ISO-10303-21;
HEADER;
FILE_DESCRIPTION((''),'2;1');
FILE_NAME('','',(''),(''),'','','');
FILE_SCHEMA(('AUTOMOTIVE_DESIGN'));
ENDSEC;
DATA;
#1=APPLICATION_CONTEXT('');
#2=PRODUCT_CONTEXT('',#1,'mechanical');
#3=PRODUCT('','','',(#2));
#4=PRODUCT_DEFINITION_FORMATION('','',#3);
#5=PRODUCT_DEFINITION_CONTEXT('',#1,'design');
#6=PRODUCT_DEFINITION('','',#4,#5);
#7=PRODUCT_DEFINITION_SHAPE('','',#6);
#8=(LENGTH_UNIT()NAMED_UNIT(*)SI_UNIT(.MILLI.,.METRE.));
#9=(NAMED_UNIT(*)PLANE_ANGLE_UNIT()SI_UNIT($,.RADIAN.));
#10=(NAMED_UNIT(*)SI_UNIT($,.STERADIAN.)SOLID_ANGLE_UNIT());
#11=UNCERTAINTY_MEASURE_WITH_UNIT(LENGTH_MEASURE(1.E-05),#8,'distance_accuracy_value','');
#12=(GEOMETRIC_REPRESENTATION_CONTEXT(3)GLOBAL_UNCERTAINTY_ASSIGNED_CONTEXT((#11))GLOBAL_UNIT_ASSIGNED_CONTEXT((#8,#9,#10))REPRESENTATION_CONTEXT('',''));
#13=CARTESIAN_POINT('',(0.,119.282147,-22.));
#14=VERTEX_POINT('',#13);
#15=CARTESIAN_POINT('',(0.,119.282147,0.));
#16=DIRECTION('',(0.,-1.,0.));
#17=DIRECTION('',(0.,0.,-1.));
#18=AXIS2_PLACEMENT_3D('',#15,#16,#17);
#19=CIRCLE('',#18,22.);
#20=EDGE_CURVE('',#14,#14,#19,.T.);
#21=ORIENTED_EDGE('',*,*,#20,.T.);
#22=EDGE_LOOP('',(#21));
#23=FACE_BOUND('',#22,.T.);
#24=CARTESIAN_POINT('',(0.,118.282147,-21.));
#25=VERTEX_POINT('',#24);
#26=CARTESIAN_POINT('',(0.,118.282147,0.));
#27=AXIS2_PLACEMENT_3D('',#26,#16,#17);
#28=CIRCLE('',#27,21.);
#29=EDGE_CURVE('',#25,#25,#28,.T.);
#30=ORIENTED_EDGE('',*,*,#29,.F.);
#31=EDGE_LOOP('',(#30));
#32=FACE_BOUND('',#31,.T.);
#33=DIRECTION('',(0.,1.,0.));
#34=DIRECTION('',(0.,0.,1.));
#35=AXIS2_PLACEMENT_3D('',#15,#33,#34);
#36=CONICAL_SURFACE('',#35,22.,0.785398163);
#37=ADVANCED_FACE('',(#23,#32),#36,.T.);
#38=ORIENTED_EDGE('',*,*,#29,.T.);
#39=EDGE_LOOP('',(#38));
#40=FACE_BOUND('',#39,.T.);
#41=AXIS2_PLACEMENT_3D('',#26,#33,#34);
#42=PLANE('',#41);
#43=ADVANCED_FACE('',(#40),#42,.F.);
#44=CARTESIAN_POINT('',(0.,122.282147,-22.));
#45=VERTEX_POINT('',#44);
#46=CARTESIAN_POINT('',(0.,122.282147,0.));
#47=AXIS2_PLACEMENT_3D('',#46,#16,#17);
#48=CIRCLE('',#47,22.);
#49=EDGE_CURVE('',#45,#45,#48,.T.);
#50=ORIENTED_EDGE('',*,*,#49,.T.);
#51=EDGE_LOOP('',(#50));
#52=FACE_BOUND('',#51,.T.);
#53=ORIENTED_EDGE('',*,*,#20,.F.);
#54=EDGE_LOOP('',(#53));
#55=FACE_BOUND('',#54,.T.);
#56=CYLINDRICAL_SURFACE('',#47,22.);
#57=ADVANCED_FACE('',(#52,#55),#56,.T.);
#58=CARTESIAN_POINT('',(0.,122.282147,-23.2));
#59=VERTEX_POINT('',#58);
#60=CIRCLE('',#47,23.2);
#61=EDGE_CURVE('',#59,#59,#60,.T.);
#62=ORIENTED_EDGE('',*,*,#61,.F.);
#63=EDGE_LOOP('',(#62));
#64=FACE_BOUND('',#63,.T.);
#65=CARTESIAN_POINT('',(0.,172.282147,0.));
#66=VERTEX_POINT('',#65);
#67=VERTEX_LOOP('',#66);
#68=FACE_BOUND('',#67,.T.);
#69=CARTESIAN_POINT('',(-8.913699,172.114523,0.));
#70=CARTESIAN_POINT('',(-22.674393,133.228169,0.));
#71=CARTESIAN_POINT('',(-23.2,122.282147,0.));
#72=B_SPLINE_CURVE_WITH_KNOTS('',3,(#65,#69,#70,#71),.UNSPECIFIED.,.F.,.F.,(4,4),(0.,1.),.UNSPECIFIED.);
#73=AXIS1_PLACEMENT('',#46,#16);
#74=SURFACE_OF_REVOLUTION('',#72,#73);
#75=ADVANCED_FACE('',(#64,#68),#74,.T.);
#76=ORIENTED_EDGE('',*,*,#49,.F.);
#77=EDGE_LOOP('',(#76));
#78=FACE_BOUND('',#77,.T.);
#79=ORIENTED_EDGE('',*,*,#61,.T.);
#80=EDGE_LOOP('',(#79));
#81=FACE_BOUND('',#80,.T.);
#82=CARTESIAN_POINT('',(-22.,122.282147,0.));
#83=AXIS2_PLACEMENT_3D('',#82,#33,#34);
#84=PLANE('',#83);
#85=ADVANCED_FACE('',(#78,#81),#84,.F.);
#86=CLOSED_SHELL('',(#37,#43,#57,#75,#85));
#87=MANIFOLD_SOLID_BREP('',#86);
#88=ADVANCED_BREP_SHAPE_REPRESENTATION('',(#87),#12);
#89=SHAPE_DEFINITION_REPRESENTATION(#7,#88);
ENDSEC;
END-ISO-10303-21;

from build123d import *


with BuildPart() as part:
    # Sketch2 → Revolve3 (revolve)
    with BuildSketch(Plane.XY, mode=Mode.PRIVATE) as revolve3_sk:
        with BuildLine():
            Line((0, 118.28214657), (-21, 118.28214657))
            Line((-21, 118.28214657), (-22, 119.28214657))
            Line((-22, 119.28214657), (-22, 122.28214657))
            Line((-22, 122.28214657), (-23.2, 122.28214657))
            add(Edge.make_bspline(
                [(-23.2, 122.28214657), (-22.674392893, 133.228168876), (-8.913698546, 172.11452311), (0, 172.28214657)],
                knots=[0, 0, 0, 0, 1, 1, 1, 1], degree=3))
            Line((0, 172.28214657), (0, 118.28214657))
        make_face()
    revolve(revolve3_sk.sketch.rotate(Axis((0, 122.28214657, 0), (0, 1, 0)), 270), axis=Axis((0, 122.28214657, 0), (0, 1, 0)))


solid = part.part
